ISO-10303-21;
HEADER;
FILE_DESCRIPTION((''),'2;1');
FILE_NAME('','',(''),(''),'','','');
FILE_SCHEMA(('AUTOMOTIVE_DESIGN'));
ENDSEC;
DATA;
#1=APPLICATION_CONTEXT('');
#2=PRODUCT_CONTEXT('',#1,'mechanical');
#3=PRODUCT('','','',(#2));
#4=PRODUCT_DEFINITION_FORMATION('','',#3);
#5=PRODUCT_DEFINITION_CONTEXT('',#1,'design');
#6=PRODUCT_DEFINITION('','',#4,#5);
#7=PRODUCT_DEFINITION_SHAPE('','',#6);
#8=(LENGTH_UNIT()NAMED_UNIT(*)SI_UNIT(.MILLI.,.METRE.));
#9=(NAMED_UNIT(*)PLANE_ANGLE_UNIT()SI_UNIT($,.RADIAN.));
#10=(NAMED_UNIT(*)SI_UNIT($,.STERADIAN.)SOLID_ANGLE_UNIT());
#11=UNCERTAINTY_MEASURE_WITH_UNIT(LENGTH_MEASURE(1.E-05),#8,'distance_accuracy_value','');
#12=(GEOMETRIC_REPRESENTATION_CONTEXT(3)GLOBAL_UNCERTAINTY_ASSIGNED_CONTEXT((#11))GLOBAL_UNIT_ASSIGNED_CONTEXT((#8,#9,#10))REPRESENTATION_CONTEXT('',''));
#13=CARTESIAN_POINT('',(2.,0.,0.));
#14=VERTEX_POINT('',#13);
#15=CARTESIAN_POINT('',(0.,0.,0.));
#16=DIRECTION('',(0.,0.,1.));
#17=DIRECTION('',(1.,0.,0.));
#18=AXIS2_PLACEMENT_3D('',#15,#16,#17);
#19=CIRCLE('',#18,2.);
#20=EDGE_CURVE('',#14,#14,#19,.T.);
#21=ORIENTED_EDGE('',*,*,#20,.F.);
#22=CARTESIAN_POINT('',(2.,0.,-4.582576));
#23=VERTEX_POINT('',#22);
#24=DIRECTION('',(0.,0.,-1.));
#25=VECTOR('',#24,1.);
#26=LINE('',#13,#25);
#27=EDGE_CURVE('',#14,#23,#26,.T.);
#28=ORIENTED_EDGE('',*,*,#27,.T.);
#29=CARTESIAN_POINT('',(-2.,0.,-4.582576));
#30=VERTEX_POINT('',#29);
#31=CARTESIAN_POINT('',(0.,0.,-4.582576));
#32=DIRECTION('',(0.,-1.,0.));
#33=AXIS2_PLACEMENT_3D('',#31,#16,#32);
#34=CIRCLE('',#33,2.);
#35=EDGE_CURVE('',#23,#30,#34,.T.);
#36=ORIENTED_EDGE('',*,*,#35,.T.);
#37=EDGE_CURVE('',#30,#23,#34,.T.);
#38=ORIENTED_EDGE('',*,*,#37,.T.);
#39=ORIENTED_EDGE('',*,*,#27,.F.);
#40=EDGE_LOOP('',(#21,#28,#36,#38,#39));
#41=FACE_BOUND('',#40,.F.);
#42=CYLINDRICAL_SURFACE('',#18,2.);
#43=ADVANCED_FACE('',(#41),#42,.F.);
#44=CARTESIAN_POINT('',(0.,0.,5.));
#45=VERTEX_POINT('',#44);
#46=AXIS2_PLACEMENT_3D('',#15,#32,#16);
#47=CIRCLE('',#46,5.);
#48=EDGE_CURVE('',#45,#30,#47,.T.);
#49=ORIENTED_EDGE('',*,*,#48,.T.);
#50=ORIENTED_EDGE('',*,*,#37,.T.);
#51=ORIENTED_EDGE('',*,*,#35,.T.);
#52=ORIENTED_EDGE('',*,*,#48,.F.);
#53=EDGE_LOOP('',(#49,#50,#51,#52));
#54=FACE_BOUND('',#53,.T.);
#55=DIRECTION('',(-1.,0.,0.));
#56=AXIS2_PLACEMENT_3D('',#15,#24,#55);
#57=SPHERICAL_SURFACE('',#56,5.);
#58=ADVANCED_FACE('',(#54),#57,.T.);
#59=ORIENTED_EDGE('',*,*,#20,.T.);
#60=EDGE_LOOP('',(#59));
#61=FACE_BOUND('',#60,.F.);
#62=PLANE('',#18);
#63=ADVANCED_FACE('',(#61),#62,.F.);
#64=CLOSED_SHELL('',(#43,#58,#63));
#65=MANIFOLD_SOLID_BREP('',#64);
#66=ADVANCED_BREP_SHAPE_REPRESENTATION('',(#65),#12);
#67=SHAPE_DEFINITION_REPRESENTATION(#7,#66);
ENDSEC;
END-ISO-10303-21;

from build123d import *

# Parameters (mm, degrees)
F2_R     = 2
F3_DEPTH = 25


with BuildPart() as f1:
    # F0 (on Front) → F1 (revolve)
    with BuildSketch(Plane.XZ):
        with BuildLine():
            Line((0, -5), (0, 5))
            ThreePointArc((0, 5), (-5, 0), (0, -5))
        make_face()
    revolve(axis=Axis((0, 0, 0), (0, 0, -1)))

    # F2 (on Top) → F3 (cut)
    with BuildSketch(Plane.XY):
        Circle(F2_R)
    extrude(amount=-F3_DEPTH, mode=Mode.SUBTRACT)


solid = f1.part
